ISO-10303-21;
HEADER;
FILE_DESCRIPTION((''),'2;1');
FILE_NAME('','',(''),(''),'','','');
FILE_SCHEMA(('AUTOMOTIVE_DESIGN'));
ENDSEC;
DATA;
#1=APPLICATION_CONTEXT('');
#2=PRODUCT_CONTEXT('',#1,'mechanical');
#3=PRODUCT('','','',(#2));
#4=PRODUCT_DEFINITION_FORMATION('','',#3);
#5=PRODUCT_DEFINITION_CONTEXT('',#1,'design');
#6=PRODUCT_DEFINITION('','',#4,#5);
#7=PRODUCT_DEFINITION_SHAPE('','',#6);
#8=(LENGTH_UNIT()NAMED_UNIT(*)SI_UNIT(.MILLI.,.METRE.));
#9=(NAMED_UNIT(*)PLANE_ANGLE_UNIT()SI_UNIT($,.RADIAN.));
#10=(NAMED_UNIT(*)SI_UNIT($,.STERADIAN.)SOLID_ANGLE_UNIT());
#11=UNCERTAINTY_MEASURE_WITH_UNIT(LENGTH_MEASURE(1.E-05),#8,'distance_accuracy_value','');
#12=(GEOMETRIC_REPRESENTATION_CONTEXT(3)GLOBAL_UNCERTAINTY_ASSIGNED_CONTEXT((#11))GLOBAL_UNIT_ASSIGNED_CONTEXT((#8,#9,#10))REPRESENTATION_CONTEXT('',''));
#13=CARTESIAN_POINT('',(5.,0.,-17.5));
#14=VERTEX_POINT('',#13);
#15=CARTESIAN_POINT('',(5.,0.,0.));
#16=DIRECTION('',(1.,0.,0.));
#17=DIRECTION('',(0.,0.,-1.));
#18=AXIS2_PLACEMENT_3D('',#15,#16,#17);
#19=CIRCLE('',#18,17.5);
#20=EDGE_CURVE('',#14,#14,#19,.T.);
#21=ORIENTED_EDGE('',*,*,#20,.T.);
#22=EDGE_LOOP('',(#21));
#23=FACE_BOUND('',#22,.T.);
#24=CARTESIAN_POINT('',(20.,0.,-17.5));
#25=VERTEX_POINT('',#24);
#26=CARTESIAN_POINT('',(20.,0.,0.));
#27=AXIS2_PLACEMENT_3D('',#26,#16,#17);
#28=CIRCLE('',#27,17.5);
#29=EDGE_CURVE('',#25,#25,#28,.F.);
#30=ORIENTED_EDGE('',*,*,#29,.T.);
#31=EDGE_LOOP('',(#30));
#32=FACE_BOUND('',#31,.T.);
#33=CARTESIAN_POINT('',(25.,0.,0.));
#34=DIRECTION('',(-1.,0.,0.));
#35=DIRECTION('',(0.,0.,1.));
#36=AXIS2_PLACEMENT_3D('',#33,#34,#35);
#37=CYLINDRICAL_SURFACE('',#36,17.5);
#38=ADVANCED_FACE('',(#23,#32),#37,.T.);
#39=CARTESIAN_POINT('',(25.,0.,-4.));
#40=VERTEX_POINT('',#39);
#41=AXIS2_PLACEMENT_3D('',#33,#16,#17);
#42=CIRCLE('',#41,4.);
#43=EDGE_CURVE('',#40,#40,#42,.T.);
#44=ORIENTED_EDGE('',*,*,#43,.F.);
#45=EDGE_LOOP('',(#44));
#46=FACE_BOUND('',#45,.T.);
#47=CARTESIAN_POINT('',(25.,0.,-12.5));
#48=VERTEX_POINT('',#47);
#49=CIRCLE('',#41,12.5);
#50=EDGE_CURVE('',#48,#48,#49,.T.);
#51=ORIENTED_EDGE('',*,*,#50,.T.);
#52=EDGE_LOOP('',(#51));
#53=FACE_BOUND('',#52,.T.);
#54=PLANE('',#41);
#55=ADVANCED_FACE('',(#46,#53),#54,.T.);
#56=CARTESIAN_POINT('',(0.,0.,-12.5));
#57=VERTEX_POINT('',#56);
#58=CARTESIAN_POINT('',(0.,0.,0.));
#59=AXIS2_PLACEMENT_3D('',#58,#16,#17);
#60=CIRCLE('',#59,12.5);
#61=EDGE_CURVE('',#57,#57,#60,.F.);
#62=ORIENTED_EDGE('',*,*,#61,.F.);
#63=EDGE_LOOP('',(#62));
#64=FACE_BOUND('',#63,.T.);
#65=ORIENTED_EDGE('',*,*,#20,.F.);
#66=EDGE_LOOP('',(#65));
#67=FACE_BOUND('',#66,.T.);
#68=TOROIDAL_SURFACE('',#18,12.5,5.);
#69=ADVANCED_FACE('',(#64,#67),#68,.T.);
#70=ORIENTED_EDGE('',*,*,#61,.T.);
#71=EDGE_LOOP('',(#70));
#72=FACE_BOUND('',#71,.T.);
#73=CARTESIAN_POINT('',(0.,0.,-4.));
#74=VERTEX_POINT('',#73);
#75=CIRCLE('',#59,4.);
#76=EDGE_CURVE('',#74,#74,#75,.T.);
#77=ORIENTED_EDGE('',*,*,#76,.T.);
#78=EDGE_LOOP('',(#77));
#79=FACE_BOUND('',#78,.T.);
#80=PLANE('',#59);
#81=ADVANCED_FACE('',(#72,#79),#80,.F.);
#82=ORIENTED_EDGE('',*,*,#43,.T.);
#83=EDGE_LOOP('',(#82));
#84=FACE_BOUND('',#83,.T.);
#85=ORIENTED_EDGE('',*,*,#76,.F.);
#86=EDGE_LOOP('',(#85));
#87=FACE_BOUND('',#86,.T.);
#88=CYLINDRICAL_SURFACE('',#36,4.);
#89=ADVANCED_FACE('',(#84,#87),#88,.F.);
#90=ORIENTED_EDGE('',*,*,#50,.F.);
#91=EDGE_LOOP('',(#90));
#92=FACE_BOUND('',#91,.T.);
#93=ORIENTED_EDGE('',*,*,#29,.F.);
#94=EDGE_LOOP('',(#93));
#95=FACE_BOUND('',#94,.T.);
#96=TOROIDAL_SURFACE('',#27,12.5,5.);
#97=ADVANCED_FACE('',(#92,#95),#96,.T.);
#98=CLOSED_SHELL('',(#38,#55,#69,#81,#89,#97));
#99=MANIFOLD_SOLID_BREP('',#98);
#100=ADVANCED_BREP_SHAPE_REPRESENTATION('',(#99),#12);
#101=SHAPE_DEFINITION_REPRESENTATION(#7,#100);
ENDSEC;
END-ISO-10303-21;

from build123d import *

# Parameters (mm, degrees)
ESQUISSE1_R        = 17.5
ESQUISSE1_R_2      = 4
BOSS_EXTRU_1_DEPTH = 25
CONG_1_R           = 5


with BuildPart() as part:
    # Esquisse1 → Boss.-Extru.1 (new body)
    with BuildSketch(Plane(origin=(0, 0, 0), x_dir=(0, 0, -1), z_dir=(1, 0, 0))):
        Circle(ESQUISSE1_R)
        Circle(ESQUISSE1_R_2, mode=Mode.SUBTRACT)
    extrude(amount=BOSS_EXTRU_1_DEPTH)

    # Congé1
    cong_1_edges = [part.edges().sort_by_distance(p)[0] for p in [
        (0, 0, 17.5),
        (25, 0, 17.5),
    ]]
    fillet(cong_1_edges, radius=CONG_1_R)


solid = part.part
